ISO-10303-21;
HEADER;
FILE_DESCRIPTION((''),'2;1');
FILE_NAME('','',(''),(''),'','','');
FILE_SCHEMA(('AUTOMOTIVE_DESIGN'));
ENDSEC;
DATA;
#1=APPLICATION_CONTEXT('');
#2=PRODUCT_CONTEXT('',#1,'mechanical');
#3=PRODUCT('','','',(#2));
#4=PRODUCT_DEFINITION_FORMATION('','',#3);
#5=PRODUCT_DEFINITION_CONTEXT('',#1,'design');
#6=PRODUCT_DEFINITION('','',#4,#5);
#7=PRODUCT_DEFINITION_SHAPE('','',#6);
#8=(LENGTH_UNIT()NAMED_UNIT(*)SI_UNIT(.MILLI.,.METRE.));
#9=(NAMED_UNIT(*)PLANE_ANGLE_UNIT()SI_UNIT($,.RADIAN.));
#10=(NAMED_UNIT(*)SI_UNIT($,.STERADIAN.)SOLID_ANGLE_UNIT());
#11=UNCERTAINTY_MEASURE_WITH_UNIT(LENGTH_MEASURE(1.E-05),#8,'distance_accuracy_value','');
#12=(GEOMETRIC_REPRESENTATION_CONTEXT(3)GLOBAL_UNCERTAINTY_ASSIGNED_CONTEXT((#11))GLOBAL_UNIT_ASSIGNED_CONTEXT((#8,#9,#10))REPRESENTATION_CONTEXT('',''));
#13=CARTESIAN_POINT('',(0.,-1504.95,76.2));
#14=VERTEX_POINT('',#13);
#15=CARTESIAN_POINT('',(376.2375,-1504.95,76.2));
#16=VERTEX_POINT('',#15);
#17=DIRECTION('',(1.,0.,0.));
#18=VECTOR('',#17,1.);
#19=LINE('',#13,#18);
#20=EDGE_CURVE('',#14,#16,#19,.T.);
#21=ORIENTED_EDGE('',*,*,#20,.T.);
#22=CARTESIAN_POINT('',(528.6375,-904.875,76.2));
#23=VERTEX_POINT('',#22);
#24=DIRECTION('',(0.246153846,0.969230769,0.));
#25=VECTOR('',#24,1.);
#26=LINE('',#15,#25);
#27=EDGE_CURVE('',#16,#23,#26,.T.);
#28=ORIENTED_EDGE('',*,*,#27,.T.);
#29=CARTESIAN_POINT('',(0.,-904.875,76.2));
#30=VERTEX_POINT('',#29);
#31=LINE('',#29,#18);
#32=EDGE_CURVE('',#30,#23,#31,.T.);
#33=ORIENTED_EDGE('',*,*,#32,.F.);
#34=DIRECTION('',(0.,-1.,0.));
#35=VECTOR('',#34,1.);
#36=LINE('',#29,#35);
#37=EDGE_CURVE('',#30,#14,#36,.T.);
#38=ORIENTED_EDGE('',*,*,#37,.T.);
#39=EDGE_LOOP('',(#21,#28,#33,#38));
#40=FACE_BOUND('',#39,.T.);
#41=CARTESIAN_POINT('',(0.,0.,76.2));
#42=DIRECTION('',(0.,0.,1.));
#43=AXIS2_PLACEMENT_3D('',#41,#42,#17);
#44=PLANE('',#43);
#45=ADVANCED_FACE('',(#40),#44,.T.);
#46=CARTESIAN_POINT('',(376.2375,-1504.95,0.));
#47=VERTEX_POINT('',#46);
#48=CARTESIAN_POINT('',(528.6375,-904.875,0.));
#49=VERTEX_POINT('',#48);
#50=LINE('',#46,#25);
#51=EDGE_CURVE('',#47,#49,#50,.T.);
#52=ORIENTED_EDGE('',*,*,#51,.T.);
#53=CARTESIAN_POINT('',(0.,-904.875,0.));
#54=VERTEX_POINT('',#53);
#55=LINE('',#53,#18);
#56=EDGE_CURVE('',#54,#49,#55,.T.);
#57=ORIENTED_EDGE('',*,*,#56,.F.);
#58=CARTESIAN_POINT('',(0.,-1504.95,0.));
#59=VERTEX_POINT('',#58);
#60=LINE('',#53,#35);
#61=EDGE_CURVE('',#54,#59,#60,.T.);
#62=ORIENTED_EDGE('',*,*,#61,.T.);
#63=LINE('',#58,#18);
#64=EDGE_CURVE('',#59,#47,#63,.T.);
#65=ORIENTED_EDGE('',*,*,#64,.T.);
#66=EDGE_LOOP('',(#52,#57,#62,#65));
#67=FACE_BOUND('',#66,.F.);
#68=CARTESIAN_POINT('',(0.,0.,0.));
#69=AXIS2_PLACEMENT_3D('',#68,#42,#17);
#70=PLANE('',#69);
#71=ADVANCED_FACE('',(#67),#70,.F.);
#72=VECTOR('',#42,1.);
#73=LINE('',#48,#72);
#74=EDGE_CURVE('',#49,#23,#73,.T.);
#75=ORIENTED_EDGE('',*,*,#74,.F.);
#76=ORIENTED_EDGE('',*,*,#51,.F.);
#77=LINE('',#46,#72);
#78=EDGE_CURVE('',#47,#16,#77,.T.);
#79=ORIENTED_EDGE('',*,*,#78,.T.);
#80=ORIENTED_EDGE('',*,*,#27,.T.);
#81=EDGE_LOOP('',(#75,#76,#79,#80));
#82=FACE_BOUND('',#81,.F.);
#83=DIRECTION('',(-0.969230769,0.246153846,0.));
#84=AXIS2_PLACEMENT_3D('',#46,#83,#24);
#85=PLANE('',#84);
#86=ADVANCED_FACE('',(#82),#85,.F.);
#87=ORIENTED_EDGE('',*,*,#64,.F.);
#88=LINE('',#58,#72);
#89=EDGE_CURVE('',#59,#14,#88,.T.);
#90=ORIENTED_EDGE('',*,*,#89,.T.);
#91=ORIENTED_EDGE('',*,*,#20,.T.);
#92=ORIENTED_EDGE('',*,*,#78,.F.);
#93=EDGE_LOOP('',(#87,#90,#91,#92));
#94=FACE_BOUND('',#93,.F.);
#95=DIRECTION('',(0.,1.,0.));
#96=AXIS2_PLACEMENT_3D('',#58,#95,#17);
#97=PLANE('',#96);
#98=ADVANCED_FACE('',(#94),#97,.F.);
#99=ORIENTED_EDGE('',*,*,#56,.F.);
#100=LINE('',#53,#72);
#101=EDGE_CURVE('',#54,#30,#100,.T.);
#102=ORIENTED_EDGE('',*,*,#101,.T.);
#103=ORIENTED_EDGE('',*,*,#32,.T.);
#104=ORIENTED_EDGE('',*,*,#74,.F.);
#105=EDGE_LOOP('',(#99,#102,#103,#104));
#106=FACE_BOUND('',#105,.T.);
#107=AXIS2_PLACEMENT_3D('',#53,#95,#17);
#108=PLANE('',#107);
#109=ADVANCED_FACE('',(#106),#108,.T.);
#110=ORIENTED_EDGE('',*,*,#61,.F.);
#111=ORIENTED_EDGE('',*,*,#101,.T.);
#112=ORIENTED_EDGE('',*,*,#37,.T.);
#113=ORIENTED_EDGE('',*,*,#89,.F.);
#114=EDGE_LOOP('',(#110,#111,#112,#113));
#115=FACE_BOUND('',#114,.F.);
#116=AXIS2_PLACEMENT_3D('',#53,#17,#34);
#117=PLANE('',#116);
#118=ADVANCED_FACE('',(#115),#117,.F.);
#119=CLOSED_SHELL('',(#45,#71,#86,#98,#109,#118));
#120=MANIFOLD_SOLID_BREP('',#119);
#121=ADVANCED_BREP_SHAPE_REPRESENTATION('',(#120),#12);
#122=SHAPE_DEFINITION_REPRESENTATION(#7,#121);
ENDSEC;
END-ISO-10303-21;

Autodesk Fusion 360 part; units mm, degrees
sketch "Sketch1" plane through (0, 0, 0) normal (0, 0, 1) x (1, 0, 0)
  line L0 (0, 0) -> (0, -600.075)
  line L1 (0, -600.075) -> (744.5375, -600.075)
  line L2 (0, 0) -> (947.7375, 0)
  line L3 (947.7375, 0) -> (744.5375, -600.075)
  line L4 (1049.3375, -600.075) -> (2105.025, -600.075)
  line L5 (1049.3375, -600.075) -> (1252.5375, 0)
  line L6 (2105.025, -600.075) -> (1698.625, 0)
  line L7 (1252.5375, 0) -> (1698.625, 0)
  line L8 (2003.425, 0) -> (3025.775, 0)
  line L9 (2409.825, -600.075) -> (3025.775, -600.075)
  line L10 (3025.775, 0) -> (3025.775, -600.075)
  line L11 (2409.825, -600.075) -> (2003.425, 0)
  line L12 (0, -904.875) -> (0, -1504.95)
  line L13 (0, -1504.95) -> (376.2375, -1504.95)
  line L14 (376.2375, -1504.95) -> (528.6375, -904.875)
  line L15 (0, -904.875) -> (528.6375, -904.875)
  line L16 (579.4375, -1504.95) -> (1636.7125, -1504.95)
  line L17 (731.8375, -904.875) -> (1420.8125, -904.875)
  line L18 (579.4375, -1504.95) -> (731.8375, -904.875)
  line L19 (1420.8125, -904.875) -> (1636.7125, -1504.95)
  line L20 (1839.9125, -1504.95) -> (2160.5875, -1504.95)
  line L21 (1624.0125, -904.875) -> (2401.8875, -904.875)
  line L22 (1624.0125, -904.875) -> (1839.9125, -1504.95)
  line L23 (2160.5875, -1504.95) -> (2401.8875, -904.875)
  line L24 (2363.7875, -1504.95) -> (3019.425, -1504.95)
  line L25 (2605.0875, -904.875) -> (3019.425, -904.875)
  line L26 (3019.425, -904.875) -> (3019.425, -1504.95)
  line L27 (2605.0875, -904.875) -> (2363.7875, -1504.95)
  line L28 (0, -1809.75) -> (0, -2409.825)
  line L29 (0, -1809.75) -> (909.6375, -1809.75)
  line L30 (0, -2409.825) -> (795.3375, -2409.825)
  line L31 (795.3375, -2409.825) -> (909.6375, -1809.75)
  line L32 (1214.4375, -1809.75) -> (2017.7125, -1809.75)
  line L33 (1100.1375, -2409.825) -> (1878.0125, -2409.825)
  line L34 (1100.1375, -2409.825) -> (1214.4375, -1809.75)
  line L35 (1878.0125, -2409.825) -> (2017.7125, -1809.75)
  line L36 (2182.8125, -2409.825) -> (3028.95, -2409.825)
  line L37 (2322.5125, -1809.75) -> (3028.95, -1809.75)
  line L38 (2322.5125, -1809.75) -> (2182.8125, -2409.825)
  line L39 (3028.95, -1809.75) -> (3028.95, -2409.825)
  line L40 (0, -2714.625) -> (0, -3314.7)
  line L41 (0, -2714.625) -> (465.1375, -2714.625)
  line L42 (465.1375, -2714.625) -> (465.1375, -3314.7)
  line L43 (465.1375, -3314.7) -> (0, -3314.7)
  line L44 (668.3375, -3314.7) -> (1268.4125, -3314.7)
  line L45 (668.3375, -3314.7) -> (668.3375, -2714.625)
  line L46 (668.3375, -2714.625) -> (1458.9125, -2714.625)
  line L47 (1458.9125, -2714.625) -> (1268.4125, -3314.7)
  line L48 (1471.6125, -3314.7) -> (2236.7875, -3314.7)
  line L49 (1662.1125, -2714.625) -> (2528.8875, -2714.625)
  line L50 (1471.6125, -3314.7) -> (1662.1125, -2714.625)
  line L51 (2528.8875, -2714.625) -> (2236.7875, -3314.7)
  line L52 (2439.9875, -3314.7) -> (3019.425, -3314.7)
  line L53 (2732.0875, -2714.625) -> (3019.425, -2714.625)
  line L54 (2439.9875, -3314.7) -> (2732.0875, -2714.625)
  line L55 (3019.425, -2714.625) -> (3019.425, -3314.7)
  dimension "d1" = 600.075
  dimension "d2" = 744.5375
  dimension "d3" = 1055.6875
  dimension "d4" = 304.8
  dimension "d5" = 1022.35
  dimension "d6" = 615.95
  dimension "d7" = 0
  dimension "d8" = 304.8
  dimension "d9" = 376.2375
  dimension "d10" = 1057.275
  dimension "d11" = 203.2
  dimension "d12" = 688.975
  dimension "d13" = 320.675
  dimension "d14" = 777.875
  dimension "d15" = 203.2
  dimension "d16" = 655.6375
  dimension "d17" = 414.3375
  dimension "d18" = 203.2
  dimension "d19" = 0
  dimension "d20" = 0
  dimension "d21" = 909.6375
  dimension "d22" = 795.3375
  dimension "d23" = 803.275
  dimension "d24" = 777.875
  dimension "d25" = 304.8
  dimension "d26" = 846.1375
  dimension "d27" = 304.8
  dimension "d28" = 706.4375
  dimension "d29" = 304.8
  dimension "d30" = 947.7375
  dimension "d31" = 446.0875
  dimension "d32" = 528.6375
  dimension "d33" = 0
  dimension "d34" = 0
  dimension "d35" = 465.1375
  dimension "d36" = 600.075
  dimension "d37" = 203.2
  dimension "d38" = 790.575
  dimension "d39" = 765.175
  dimension "d40" = 203.2
  dimension "d41" = 866.775
  dimension "d42" = 579.4375
  dimension "d43" = 287.3375
  dimension "d44" = 203.2
extrude "Extrude1" add sketch "Sketch1" along normal blind 76.2 contours L12 L13 L14 L15
equation "d1 = 23 5/8\""
equation "d2 = 29 5/16\""
equation "d3 = 41 9/16\""
equation "d5 = 40 1/4\""
equation "d6 = 24 1/4\""
equation "d7 = d20"
equation "d9 = 14 13/16\""
equation "d12 = 27 1/8\""
equation "d13 = 12 5/8\""
equation "d14 = 30 5/8\""
equation "d16 = 25 13/16\""
equation "d17 = 16 5/16\""
equation "d19 = d20"
equation "d20 = d33"
equation "d21 = 35 13/16\""
equation "d22 = 31 5/16\""
equation "d23 = 31 5/8\""
equation "d24 = 30 5/8\""
equation "d26 = 33 5/16\""
equation "d28 = 27 13/16\""
equation "d30 = 37 5/16\""
equation "d31 = 17 9/16\""
equation "d32 = 20 13/16\""
equation "d33 = d33"
equation "d34 = d20"
equation "d35 = 18 5/16\""
equation "d36 = 23 5/8\""
equation "d38 = 31 1/8\""
equation "d41 = 34 1/8\""
